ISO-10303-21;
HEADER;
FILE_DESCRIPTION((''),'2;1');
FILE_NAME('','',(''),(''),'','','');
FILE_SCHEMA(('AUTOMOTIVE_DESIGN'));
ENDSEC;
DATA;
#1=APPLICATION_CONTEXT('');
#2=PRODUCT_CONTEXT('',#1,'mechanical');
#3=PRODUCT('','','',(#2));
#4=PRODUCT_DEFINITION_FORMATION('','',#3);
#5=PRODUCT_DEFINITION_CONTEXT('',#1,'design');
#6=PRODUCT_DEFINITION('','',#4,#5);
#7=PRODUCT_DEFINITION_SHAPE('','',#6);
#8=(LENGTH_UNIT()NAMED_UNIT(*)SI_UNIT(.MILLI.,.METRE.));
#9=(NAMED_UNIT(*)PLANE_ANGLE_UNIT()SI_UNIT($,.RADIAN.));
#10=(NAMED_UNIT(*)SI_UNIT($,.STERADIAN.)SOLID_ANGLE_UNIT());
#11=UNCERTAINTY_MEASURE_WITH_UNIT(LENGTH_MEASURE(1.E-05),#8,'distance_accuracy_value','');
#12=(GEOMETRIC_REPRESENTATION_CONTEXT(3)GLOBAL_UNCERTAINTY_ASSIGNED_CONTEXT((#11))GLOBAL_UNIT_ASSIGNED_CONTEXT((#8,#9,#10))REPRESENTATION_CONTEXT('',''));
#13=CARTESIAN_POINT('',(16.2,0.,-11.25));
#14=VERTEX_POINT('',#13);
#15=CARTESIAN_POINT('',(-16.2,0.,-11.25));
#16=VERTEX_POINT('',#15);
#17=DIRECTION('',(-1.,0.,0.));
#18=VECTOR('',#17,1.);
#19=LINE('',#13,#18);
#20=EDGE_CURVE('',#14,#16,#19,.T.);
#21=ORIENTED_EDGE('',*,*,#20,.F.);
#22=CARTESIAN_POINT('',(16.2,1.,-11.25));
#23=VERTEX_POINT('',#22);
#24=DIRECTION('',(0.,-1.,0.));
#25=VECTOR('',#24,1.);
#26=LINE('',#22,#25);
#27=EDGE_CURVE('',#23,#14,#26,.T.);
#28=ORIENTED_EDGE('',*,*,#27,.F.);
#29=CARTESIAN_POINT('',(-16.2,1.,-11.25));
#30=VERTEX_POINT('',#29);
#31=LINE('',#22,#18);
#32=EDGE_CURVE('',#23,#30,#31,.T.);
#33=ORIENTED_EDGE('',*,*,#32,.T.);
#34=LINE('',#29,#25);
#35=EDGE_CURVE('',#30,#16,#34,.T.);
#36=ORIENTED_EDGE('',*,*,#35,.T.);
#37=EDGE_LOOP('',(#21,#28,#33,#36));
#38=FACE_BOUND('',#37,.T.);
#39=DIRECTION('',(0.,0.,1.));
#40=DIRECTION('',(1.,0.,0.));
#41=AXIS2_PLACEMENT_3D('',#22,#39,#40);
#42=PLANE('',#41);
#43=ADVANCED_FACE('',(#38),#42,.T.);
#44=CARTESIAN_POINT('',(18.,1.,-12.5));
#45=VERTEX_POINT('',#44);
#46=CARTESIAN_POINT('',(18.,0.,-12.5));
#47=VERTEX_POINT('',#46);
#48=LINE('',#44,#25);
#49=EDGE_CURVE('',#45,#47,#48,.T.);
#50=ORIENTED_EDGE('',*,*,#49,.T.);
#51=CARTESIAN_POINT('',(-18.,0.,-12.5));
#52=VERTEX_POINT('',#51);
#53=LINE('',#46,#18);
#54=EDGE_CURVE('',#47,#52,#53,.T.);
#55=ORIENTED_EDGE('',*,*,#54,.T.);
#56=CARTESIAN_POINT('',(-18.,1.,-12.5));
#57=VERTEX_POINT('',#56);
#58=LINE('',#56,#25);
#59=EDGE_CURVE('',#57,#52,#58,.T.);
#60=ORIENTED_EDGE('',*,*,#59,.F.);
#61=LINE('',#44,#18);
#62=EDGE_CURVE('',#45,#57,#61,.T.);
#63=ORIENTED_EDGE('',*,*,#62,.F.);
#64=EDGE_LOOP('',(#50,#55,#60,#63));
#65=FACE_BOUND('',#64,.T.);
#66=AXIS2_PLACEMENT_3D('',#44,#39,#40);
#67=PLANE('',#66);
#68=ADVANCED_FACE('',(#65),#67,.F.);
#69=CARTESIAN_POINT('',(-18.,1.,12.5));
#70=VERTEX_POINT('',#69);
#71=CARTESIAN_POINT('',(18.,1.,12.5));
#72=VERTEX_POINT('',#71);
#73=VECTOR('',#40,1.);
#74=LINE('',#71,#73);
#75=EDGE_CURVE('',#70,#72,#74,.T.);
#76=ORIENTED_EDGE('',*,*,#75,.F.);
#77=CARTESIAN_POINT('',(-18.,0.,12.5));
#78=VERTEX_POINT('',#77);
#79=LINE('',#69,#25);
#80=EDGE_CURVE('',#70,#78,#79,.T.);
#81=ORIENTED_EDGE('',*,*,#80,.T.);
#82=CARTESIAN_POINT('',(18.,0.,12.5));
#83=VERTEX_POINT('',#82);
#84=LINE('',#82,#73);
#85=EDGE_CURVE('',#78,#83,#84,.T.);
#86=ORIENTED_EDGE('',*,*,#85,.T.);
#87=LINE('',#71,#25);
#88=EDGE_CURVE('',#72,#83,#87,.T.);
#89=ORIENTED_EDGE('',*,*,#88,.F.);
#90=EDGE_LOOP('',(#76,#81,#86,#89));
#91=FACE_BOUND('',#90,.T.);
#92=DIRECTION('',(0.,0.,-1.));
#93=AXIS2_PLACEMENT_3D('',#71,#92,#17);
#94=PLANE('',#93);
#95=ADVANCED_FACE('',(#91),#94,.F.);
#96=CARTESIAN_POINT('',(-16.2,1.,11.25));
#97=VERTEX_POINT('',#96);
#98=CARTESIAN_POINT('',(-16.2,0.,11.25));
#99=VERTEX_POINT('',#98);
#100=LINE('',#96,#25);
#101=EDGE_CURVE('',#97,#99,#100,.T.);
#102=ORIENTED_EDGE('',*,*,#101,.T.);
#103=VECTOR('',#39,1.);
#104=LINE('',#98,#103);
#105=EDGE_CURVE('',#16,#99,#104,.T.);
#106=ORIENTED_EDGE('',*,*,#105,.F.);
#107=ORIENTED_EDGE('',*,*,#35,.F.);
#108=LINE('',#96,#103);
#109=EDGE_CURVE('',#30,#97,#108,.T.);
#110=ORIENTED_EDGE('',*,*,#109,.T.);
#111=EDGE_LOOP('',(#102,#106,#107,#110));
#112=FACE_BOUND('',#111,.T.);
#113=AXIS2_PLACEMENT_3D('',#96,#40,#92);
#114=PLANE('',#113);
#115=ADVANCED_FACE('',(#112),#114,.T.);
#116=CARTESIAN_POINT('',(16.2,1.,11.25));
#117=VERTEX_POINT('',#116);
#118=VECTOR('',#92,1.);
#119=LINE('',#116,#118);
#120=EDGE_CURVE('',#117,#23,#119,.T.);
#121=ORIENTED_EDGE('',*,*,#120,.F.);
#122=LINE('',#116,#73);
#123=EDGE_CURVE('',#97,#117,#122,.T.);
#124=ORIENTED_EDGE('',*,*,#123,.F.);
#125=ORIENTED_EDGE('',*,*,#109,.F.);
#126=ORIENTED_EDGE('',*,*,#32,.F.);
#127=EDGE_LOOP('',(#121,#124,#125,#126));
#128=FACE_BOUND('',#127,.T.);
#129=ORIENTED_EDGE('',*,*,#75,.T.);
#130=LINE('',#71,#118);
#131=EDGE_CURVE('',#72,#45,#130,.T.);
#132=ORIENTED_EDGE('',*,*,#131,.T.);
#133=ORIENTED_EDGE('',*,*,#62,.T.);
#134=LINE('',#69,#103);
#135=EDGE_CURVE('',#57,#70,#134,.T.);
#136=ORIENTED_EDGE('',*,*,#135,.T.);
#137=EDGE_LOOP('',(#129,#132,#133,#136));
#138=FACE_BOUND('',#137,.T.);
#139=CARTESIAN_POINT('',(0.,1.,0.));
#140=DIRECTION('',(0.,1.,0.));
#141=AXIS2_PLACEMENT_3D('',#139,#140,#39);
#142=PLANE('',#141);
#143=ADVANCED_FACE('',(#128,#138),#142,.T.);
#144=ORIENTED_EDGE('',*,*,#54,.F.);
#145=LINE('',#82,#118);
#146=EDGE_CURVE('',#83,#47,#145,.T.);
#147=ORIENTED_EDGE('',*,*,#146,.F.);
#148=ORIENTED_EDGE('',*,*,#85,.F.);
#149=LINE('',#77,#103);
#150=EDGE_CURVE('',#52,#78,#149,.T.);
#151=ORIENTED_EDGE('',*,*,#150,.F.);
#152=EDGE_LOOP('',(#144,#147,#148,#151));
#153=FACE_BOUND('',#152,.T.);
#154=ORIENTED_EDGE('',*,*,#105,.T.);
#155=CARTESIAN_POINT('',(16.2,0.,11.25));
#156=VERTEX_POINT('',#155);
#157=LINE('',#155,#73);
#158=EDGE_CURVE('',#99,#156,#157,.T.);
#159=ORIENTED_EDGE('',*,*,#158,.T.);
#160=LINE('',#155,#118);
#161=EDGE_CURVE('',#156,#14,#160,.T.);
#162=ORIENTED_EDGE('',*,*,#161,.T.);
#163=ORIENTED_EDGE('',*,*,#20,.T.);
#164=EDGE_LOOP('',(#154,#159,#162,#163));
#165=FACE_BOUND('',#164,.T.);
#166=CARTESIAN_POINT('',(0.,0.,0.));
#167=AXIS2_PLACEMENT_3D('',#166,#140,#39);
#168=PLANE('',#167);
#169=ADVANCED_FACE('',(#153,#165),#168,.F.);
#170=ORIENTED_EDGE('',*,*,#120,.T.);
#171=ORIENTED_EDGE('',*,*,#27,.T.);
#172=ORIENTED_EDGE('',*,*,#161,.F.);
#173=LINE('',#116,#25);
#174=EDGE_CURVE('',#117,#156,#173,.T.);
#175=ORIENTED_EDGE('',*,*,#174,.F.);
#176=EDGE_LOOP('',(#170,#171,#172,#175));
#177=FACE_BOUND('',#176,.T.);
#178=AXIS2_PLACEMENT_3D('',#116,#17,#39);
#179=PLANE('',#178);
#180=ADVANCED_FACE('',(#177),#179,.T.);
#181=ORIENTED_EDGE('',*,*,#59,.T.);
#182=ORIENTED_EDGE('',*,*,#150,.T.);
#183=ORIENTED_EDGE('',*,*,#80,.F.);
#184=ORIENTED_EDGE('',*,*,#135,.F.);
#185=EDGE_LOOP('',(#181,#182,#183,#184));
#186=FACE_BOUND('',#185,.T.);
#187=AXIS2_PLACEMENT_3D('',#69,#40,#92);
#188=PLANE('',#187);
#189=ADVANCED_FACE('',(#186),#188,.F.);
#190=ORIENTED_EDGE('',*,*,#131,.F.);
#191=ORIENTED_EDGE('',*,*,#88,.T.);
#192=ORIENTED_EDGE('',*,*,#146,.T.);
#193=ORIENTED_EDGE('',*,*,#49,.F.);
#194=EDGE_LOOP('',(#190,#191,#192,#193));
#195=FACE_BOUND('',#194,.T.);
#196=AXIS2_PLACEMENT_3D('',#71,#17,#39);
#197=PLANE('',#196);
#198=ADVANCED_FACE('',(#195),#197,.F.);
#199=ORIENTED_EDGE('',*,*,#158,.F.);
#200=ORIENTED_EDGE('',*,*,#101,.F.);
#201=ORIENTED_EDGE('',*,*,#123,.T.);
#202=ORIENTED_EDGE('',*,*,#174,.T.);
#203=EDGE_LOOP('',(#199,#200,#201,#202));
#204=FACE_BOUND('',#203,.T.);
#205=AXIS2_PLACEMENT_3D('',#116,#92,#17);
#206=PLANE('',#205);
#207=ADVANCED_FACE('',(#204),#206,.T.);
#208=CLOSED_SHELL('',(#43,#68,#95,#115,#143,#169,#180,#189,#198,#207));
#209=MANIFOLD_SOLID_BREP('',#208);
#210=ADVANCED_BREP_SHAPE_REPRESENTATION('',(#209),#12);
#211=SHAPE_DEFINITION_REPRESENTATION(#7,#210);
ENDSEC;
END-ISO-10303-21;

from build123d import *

# Parameters (mm, degrees)
SKETCH2_W           = 36
SKETCH2_H           = 25
SKETCH2_W_2         = 32.4
SKETCH2_H_2         = 22.5
BOSS_EXTRUDE2_DEPTH = 1


with BuildPart() as part:
    # Sketch2 → Boss-Extrude2 (new body)
    with BuildSketch(Plane(origin=(0, 0, 0), x_dir=(1, 0, 0), z_dir=(0, 1, 0))):
        Rectangle(SKETCH2_W, SKETCH2_H)
        Rectangle(SKETCH2_W_2, SKETCH2_H_2, mode=Mode.SUBTRACT)
    extrude(amount=BOSS_EXTRUDE2_DEPTH)


solid = part.part
